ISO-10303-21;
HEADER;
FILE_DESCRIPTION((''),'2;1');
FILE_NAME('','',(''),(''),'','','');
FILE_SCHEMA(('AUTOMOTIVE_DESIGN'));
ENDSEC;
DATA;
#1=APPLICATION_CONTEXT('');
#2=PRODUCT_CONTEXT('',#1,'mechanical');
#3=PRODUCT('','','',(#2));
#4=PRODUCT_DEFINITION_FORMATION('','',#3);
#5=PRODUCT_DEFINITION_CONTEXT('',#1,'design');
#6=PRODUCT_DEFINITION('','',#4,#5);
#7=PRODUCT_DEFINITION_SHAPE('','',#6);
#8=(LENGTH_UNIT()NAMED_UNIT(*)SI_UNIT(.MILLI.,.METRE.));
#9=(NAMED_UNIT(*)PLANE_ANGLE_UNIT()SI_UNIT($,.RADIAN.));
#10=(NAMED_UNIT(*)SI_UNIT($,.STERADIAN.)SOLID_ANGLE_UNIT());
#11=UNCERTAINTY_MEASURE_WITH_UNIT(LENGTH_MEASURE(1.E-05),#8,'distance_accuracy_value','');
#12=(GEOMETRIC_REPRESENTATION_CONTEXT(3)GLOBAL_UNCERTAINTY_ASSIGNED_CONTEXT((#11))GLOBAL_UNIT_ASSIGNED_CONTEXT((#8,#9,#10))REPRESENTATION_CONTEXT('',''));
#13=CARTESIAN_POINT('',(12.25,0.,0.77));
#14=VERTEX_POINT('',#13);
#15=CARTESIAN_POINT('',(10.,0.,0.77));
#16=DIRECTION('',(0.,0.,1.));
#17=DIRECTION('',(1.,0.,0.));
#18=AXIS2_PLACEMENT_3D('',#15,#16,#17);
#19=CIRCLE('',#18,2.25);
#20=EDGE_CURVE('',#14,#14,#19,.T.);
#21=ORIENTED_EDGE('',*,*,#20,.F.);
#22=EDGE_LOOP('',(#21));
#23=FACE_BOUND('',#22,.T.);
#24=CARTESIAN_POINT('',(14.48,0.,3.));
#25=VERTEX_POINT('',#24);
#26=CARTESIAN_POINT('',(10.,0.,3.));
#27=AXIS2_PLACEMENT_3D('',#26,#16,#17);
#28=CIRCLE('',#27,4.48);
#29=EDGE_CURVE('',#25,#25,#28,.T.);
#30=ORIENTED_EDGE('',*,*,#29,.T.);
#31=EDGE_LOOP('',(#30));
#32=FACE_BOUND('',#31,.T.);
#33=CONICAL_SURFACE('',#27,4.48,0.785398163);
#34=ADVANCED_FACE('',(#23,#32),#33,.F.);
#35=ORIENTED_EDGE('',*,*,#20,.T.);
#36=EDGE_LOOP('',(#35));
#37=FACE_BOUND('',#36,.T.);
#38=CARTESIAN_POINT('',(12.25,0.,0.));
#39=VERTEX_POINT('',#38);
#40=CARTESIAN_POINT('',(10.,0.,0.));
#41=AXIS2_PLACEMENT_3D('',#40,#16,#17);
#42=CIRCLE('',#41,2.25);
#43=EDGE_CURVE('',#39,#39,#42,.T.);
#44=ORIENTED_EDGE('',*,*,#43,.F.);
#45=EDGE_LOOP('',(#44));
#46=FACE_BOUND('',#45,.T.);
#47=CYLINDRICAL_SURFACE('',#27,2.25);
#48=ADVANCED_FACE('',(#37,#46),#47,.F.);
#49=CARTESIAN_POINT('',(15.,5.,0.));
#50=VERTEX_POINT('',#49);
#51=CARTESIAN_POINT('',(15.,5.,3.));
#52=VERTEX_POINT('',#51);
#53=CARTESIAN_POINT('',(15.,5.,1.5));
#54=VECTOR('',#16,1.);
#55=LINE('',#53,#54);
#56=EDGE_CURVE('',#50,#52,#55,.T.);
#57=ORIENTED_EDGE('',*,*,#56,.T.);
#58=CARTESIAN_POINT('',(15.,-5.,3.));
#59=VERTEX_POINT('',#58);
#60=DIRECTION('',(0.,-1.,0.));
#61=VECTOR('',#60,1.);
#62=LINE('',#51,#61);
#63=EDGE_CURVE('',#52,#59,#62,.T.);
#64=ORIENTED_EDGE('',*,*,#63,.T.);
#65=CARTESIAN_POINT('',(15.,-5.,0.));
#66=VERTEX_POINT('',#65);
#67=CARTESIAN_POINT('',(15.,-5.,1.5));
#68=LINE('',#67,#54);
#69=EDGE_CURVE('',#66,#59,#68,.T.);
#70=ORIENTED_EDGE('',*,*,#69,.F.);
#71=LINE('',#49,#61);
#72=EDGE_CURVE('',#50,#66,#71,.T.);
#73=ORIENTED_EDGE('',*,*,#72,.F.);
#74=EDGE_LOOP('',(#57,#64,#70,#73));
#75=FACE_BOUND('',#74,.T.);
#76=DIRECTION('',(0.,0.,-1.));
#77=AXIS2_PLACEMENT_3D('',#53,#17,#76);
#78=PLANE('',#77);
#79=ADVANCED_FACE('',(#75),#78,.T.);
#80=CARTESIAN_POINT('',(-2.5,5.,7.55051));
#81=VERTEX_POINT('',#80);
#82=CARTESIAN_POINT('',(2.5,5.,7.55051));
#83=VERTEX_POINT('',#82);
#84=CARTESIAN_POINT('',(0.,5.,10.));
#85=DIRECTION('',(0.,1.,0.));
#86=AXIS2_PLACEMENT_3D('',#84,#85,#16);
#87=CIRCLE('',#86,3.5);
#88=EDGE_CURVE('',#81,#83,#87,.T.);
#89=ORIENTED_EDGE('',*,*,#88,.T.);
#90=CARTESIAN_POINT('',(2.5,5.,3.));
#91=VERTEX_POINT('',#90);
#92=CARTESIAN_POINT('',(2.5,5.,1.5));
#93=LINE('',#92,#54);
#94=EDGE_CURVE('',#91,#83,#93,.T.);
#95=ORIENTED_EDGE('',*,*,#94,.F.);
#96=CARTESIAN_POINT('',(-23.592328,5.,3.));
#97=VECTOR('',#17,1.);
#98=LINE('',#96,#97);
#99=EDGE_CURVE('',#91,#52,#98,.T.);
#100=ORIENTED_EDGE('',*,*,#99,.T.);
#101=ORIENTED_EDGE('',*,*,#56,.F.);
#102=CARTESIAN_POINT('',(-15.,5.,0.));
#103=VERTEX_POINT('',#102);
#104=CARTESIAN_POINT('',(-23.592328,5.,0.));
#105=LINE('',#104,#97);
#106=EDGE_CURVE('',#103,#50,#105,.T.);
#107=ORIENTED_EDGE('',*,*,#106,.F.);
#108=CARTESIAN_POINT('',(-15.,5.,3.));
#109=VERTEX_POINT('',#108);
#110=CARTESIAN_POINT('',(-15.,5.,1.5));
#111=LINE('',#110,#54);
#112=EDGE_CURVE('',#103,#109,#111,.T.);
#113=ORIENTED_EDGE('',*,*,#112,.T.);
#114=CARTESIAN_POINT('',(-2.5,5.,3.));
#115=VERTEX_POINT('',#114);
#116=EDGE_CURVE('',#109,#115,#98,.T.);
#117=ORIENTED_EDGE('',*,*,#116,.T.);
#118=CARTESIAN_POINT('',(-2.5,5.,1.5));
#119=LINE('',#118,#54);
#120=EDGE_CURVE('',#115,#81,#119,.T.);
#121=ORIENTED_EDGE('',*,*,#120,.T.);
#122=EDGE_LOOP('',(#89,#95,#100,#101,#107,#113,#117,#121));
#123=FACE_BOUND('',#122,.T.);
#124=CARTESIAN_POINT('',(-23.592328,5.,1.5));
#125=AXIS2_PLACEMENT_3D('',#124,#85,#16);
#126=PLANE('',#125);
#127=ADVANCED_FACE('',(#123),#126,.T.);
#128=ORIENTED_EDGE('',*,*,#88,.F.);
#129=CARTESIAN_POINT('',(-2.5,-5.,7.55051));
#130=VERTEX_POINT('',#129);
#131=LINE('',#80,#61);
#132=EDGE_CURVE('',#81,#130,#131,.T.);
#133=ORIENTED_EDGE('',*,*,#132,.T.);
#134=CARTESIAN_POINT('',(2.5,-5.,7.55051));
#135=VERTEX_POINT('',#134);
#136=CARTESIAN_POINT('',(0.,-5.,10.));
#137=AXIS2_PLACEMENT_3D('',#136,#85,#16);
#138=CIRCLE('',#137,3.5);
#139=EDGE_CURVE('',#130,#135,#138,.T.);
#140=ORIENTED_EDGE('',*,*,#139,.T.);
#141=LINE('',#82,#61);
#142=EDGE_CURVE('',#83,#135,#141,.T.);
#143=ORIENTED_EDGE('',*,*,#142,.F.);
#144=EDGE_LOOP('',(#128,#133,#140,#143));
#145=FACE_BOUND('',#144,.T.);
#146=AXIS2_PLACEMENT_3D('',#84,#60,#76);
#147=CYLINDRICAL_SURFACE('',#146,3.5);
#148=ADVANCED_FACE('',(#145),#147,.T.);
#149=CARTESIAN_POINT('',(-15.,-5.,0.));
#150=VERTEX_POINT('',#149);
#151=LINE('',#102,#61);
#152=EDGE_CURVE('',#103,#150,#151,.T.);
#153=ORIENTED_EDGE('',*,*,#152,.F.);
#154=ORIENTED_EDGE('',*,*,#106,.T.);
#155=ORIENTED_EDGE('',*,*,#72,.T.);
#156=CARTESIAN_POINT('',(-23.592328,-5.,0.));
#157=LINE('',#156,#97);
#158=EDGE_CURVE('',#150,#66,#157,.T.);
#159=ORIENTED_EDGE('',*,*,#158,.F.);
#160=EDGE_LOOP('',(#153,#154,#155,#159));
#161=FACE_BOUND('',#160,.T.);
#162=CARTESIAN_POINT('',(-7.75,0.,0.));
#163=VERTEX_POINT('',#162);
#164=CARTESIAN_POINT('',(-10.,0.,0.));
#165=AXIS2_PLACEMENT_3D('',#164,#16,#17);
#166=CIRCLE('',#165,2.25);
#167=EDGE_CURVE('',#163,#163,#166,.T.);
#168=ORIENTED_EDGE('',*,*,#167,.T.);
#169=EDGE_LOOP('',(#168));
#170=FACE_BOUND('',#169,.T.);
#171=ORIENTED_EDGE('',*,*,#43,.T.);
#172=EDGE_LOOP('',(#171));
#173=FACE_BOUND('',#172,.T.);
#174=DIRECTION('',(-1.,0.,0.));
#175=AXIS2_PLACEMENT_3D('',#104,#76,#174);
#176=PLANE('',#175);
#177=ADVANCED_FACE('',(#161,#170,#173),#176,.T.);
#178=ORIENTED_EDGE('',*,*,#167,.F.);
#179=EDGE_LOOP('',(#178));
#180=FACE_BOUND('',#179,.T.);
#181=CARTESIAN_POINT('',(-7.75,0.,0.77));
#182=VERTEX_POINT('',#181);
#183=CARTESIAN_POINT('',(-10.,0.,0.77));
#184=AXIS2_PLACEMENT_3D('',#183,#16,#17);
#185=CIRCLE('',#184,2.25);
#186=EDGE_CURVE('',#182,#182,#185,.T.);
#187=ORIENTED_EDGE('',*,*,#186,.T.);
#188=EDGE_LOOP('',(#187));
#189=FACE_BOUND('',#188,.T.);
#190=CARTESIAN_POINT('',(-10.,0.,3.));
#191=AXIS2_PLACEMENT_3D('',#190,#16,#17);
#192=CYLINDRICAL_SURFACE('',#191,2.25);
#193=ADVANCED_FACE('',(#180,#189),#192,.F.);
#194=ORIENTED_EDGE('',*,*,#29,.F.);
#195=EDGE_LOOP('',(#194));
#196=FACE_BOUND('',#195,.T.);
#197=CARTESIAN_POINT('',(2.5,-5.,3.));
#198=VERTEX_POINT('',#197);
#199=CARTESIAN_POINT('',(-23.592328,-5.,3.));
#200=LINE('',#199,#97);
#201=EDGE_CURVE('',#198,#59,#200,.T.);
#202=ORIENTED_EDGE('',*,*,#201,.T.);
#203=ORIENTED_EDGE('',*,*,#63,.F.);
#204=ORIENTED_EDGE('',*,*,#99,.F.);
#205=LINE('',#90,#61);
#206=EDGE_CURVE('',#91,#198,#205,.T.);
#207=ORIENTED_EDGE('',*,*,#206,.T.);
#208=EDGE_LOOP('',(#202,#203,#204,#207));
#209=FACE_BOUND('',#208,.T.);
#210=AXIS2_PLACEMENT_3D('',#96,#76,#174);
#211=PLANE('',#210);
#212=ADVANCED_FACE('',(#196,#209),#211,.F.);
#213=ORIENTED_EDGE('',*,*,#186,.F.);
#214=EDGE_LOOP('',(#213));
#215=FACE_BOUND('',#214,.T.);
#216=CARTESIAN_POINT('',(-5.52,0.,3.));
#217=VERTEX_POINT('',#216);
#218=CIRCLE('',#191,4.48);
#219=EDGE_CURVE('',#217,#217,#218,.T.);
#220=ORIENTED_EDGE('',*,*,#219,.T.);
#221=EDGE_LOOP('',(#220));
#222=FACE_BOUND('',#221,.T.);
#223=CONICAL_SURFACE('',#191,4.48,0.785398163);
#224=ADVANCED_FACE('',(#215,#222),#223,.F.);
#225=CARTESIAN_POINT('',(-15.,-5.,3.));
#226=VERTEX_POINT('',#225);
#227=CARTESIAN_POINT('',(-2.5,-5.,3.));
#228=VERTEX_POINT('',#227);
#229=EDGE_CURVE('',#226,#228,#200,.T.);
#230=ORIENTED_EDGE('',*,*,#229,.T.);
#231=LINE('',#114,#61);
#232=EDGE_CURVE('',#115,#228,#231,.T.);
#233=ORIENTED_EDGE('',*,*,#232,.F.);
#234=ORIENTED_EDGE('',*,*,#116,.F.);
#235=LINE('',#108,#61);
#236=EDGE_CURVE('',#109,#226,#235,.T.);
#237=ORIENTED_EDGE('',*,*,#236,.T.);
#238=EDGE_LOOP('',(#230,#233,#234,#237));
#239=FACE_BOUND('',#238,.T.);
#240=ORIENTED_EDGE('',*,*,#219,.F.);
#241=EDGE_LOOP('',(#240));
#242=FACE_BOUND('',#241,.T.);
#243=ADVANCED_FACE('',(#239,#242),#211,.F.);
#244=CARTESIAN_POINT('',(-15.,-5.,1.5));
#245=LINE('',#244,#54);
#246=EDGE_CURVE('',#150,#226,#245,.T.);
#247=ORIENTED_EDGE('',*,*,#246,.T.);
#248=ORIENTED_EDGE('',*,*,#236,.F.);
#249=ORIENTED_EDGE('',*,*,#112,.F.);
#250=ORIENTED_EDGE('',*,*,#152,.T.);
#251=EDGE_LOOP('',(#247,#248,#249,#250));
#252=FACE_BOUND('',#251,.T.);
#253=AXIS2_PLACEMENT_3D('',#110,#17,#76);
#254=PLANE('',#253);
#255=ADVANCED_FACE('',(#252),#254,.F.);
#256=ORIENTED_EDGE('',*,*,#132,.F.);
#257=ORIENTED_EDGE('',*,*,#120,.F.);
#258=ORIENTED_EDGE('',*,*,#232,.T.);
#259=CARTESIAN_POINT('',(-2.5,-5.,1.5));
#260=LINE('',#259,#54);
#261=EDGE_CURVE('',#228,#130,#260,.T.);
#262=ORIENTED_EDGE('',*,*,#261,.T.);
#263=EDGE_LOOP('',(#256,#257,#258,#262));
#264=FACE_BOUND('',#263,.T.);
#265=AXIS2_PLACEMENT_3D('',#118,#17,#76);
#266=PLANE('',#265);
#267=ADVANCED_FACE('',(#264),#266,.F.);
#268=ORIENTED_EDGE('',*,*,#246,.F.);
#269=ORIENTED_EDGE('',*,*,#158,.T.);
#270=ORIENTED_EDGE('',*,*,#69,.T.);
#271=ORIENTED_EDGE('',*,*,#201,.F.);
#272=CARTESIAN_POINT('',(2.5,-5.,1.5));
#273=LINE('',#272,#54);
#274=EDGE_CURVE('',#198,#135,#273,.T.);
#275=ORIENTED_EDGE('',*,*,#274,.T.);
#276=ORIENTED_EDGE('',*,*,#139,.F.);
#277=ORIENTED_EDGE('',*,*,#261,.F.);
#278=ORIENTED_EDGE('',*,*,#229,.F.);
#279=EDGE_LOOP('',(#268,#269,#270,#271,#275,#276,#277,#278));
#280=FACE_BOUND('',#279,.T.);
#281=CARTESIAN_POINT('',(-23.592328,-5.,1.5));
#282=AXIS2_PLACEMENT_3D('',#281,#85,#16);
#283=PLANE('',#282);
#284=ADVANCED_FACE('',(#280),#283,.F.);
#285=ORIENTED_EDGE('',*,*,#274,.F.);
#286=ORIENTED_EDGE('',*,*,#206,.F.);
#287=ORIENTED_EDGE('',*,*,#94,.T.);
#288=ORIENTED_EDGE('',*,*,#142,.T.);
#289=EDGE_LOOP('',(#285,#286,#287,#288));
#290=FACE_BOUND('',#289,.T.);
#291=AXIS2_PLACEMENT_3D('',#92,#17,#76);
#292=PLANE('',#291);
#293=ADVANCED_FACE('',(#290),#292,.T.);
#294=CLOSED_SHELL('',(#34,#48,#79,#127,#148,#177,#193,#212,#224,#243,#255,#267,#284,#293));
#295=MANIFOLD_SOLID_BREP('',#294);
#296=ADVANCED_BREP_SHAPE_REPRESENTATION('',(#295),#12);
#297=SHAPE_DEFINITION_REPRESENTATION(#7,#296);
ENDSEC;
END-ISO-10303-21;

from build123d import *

# Parameters (mm, degrees)
SKETCH_1_W                  = 30
SKETCH_1_H                  = 3
EXTRUDE_1_DEPTH             = 5
HOLE_WIZARD_M4_1_AT_2_COUNT = 2
HOLE_WIZARD_M4_1_AT_2_PITCH = 20


with BuildPart() as part:
    # 草图1 → 拉伸1 (new, symmetric)
    with BuildSketch(Plane(origin=(0, 0, 0), x_dir=(1, 0, 0), z_dir=(0, 1, 0))):
        with BuildLine():
            Line((2.5, -3), (-2.5, -3))
            Line((-2.5, -3), (-2.5, -7.550510257))
            ThreePointArc((-2.5, -7.550510257), (0, -13.5), (2.5, -7.550510257))
            Line((2.5, -7.550510257), (2.5, -3))
        make_face()
        with Locations((0, -1.5)):
            Rectangle(SKETCH_1_W, SKETCH_1_H)
    extrude(amount=EXTRUDE_1_DEPTH, both=True)

    # 草图2 → M4 六角凹锥坑螺钉的锥形沉头孔1 (revolve, cut)
    with BuildSketch(Plane(origin=(-10, 0, 3), x_dir=(0, -1, 0), z_dir=(1, 0, 0))):
        Polygon((0, 0), (0, 3), (2.25, 3), (2.25, 2.23), (4.48, 0), align=None)
    hole_wizard_m4_1 = revolve(axis=Axis((-10, 0, 9.35), (0, 0, -1)), mode=Mode.SUBTRACT)

    # M4 六角凹锥坑螺钉的锥形沉头孔1 at 2: M4 六角凹锥坑螺钉的锥形沉头孔1 ×2
    with Locations(*[(i * HOLE_WIZARD_M4_1_AT_2_PITCH, 0, 0) for i in range(1, HOLE_WIZARD_M4_1_AT_2_COUNT)]):
        add(hole_wizard_m4_1, mode=Mode.SUBTRACT)


solid = part.part
